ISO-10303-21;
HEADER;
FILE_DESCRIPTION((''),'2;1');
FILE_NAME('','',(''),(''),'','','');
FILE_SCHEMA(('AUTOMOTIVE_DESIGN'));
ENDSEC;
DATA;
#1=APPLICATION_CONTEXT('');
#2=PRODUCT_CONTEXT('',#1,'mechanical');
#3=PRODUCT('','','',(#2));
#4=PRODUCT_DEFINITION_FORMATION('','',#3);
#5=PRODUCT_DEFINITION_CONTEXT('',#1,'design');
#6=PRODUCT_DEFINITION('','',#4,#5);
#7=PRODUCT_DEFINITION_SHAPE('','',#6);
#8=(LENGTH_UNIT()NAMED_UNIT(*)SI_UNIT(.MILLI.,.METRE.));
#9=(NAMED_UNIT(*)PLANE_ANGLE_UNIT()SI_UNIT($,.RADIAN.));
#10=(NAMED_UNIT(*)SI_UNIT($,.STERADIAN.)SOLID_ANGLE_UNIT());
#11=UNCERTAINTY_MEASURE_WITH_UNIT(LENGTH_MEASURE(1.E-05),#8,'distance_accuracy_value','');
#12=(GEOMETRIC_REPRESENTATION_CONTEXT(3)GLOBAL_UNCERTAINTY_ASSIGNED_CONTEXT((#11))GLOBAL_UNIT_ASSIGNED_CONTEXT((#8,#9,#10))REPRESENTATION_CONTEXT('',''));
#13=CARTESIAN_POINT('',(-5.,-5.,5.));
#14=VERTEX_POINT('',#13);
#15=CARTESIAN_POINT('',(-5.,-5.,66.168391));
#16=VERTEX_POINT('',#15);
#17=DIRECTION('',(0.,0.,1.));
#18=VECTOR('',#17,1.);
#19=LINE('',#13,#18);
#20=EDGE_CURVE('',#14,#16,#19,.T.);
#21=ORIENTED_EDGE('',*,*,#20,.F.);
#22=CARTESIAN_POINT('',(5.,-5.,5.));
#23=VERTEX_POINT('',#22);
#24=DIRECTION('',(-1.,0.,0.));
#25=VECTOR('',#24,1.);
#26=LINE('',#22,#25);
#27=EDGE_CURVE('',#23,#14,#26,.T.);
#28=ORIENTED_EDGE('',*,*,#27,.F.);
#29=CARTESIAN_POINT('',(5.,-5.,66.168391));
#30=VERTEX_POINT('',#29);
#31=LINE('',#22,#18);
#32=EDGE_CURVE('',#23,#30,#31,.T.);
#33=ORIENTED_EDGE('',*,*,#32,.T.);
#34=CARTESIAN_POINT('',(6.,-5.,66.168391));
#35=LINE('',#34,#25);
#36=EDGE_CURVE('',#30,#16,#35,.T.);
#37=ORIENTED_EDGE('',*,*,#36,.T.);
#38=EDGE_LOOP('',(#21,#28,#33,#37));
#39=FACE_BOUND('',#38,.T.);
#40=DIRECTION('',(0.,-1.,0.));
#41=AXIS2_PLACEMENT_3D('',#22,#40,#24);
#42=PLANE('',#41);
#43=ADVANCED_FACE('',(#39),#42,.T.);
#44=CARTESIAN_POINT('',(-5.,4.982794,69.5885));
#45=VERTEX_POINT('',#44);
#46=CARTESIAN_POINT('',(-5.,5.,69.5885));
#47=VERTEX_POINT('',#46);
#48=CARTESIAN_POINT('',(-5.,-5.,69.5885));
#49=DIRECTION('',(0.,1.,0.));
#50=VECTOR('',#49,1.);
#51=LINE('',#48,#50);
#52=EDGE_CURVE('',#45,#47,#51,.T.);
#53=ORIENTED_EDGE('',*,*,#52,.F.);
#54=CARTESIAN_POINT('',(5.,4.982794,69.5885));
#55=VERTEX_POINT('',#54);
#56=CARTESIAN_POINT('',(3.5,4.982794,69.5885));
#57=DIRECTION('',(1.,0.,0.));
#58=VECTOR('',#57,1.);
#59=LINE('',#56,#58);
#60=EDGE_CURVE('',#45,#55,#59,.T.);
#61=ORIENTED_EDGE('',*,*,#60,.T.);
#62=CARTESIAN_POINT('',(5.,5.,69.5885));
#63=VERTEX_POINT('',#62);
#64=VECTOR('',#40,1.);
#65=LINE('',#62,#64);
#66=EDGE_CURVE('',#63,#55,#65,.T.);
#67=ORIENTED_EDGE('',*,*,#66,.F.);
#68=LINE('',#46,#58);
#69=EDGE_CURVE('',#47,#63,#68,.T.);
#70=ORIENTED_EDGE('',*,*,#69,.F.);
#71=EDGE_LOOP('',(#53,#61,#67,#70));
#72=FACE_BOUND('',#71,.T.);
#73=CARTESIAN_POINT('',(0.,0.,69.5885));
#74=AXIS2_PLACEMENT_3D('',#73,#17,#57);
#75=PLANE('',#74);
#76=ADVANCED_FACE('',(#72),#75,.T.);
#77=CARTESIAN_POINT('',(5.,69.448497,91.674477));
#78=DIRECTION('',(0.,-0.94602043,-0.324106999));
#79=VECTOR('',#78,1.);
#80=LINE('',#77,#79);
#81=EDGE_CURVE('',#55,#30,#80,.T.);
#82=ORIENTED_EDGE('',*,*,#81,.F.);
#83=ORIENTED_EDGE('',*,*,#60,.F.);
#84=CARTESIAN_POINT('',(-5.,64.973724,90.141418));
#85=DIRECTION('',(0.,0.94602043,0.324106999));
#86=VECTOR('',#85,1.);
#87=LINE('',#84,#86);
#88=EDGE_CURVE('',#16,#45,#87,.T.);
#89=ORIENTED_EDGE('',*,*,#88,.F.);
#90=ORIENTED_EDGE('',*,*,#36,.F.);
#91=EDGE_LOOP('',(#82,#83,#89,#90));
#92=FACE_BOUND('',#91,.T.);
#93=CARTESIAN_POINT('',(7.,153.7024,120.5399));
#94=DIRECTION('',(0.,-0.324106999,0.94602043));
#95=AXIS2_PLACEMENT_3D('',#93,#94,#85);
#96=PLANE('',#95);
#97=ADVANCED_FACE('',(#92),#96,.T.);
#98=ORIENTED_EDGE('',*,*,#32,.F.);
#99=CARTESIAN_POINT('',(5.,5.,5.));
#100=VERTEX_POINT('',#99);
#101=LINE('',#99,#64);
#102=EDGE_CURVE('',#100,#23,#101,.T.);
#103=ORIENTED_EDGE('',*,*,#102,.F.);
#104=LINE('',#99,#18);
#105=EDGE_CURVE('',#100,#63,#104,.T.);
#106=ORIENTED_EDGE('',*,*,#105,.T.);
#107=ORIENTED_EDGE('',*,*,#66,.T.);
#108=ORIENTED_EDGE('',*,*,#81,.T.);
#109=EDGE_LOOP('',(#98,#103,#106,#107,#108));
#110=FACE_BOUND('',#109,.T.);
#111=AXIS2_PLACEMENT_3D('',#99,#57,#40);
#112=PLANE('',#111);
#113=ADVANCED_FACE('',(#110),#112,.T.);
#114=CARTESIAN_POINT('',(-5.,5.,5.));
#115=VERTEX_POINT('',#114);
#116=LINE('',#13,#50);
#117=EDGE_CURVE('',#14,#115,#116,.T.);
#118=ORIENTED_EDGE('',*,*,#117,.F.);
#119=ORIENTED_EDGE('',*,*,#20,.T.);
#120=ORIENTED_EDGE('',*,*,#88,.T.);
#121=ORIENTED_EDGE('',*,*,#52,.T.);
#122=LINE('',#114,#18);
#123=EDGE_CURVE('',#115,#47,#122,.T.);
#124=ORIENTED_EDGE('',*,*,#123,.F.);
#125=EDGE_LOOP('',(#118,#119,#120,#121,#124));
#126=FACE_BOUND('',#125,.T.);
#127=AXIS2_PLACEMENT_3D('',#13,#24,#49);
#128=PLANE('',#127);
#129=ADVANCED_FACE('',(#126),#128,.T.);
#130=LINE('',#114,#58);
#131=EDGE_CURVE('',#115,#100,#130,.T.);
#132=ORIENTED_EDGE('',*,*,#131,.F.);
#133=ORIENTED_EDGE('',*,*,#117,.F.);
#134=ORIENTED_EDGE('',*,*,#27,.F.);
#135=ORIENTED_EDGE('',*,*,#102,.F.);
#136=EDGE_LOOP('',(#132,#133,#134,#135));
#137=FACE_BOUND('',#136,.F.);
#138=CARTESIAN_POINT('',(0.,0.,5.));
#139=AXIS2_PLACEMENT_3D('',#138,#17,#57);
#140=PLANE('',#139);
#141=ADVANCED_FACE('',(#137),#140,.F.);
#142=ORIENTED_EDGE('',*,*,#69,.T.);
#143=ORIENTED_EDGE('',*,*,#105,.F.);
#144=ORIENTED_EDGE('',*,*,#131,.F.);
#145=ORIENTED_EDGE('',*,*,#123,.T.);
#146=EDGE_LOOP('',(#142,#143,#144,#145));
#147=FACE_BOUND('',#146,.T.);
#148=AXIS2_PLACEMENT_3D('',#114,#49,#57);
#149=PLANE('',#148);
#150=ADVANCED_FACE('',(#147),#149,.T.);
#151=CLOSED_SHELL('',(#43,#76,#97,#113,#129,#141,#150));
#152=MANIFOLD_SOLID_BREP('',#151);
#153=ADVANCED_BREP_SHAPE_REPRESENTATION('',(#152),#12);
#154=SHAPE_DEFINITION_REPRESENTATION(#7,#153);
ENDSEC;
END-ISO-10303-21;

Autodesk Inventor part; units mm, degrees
ref_plane "Start Plane" through (0, 0, 5) normal (0, 0, 1) x (1, 0, 0)
ref_plane "End Plane" through (0, 0, 69.5885) normal (0, 0, 1) x (1, 0, 0)
sketch "Sketch" plane through (0, 0, 0) normal (0, 0, 1) x (1, 0, 0)
  line L0 (5, -5) -> (-5, -5)
  line L1 (-5, -5) -> (-5, 5)
  line L2 (-5, 5) -> (5, 5)
  line L3 (5, 5) -> (5, -5)
  line L4 (-6, 0) -> (8, 0) construction
  line L5 (0, -30) -> (0, 40) construction
  line L6 (0, 54) -> (0, -44) construction
  line L7 (-9.2, 0) -> (13.2, 0) construction
  dimension "d0" = 10
  dimension "d1" = 10
  dimension "d4" = 5
  dimension "d5" = 5
extrude "Body" add sketch "Sketch" along normal up to surface (64.5885 mm away) from surface at 5
sketch "Sketch3" plane through (0, 0, 0) normal (0, 0, 1) x (1, 0, 0)
  line L0 (0, 0) -> (10, 0)
ref_plane "Work Plane3" through (0, 0, 0) normal (0, -1, 0) x (1, 0, 0)
sketch "Sketch4" plane through (0, 0, 0) normal (0, -1, 0) x (1, 0, 0)
  line L0 (-2, 5) -> (12, 5)
  line L1 (-2, 69.5885) -> (12, 69.5885)
  dimension "d9" = 64.5885
ref_plane "Work Plane4" through (7, 153.7024, 120.5399) normal (0, -0.3241, 0.946) x (1, 0, 0)
split "Split1" plane through (7, 153.7024, 120.5399) removes the side toward (0, -0.3241, 0.946)
ref_plane "Work Plane15" through (10.0028, -61.5702, 5) normal (0, 0, -1) x (-1, 0, 0)
split "Split12" plane through (10.0028, -61.5702, 5) removes the side toward (0, 0, -1)
equation "\"d0\" = G_W"
equation "\"d1\" = G_H"
equation "\"d4\" = 0.5 * d1"
equation "\"d5\" = 0.5 * d0"
equation "\"d2\" = G_L"
equation "\"G_W\" = 10"
equation "\"G_H\" = 10"
equation "\"G_L\" = d9"
equation "\"G_OFFSET_START\" = -5"
equation "\"G_OFFSET_END\" = -8.85593"
equation "\"d6\" = -G_OFFSET_START"
equation "\"d7\" = G_OFFSET_END + B_L"
equation "\"B_L\" = 78.44444"
properties part number "ISO 1035/2 - 10 x 10 - 64,59" material "Steel, Mild"
